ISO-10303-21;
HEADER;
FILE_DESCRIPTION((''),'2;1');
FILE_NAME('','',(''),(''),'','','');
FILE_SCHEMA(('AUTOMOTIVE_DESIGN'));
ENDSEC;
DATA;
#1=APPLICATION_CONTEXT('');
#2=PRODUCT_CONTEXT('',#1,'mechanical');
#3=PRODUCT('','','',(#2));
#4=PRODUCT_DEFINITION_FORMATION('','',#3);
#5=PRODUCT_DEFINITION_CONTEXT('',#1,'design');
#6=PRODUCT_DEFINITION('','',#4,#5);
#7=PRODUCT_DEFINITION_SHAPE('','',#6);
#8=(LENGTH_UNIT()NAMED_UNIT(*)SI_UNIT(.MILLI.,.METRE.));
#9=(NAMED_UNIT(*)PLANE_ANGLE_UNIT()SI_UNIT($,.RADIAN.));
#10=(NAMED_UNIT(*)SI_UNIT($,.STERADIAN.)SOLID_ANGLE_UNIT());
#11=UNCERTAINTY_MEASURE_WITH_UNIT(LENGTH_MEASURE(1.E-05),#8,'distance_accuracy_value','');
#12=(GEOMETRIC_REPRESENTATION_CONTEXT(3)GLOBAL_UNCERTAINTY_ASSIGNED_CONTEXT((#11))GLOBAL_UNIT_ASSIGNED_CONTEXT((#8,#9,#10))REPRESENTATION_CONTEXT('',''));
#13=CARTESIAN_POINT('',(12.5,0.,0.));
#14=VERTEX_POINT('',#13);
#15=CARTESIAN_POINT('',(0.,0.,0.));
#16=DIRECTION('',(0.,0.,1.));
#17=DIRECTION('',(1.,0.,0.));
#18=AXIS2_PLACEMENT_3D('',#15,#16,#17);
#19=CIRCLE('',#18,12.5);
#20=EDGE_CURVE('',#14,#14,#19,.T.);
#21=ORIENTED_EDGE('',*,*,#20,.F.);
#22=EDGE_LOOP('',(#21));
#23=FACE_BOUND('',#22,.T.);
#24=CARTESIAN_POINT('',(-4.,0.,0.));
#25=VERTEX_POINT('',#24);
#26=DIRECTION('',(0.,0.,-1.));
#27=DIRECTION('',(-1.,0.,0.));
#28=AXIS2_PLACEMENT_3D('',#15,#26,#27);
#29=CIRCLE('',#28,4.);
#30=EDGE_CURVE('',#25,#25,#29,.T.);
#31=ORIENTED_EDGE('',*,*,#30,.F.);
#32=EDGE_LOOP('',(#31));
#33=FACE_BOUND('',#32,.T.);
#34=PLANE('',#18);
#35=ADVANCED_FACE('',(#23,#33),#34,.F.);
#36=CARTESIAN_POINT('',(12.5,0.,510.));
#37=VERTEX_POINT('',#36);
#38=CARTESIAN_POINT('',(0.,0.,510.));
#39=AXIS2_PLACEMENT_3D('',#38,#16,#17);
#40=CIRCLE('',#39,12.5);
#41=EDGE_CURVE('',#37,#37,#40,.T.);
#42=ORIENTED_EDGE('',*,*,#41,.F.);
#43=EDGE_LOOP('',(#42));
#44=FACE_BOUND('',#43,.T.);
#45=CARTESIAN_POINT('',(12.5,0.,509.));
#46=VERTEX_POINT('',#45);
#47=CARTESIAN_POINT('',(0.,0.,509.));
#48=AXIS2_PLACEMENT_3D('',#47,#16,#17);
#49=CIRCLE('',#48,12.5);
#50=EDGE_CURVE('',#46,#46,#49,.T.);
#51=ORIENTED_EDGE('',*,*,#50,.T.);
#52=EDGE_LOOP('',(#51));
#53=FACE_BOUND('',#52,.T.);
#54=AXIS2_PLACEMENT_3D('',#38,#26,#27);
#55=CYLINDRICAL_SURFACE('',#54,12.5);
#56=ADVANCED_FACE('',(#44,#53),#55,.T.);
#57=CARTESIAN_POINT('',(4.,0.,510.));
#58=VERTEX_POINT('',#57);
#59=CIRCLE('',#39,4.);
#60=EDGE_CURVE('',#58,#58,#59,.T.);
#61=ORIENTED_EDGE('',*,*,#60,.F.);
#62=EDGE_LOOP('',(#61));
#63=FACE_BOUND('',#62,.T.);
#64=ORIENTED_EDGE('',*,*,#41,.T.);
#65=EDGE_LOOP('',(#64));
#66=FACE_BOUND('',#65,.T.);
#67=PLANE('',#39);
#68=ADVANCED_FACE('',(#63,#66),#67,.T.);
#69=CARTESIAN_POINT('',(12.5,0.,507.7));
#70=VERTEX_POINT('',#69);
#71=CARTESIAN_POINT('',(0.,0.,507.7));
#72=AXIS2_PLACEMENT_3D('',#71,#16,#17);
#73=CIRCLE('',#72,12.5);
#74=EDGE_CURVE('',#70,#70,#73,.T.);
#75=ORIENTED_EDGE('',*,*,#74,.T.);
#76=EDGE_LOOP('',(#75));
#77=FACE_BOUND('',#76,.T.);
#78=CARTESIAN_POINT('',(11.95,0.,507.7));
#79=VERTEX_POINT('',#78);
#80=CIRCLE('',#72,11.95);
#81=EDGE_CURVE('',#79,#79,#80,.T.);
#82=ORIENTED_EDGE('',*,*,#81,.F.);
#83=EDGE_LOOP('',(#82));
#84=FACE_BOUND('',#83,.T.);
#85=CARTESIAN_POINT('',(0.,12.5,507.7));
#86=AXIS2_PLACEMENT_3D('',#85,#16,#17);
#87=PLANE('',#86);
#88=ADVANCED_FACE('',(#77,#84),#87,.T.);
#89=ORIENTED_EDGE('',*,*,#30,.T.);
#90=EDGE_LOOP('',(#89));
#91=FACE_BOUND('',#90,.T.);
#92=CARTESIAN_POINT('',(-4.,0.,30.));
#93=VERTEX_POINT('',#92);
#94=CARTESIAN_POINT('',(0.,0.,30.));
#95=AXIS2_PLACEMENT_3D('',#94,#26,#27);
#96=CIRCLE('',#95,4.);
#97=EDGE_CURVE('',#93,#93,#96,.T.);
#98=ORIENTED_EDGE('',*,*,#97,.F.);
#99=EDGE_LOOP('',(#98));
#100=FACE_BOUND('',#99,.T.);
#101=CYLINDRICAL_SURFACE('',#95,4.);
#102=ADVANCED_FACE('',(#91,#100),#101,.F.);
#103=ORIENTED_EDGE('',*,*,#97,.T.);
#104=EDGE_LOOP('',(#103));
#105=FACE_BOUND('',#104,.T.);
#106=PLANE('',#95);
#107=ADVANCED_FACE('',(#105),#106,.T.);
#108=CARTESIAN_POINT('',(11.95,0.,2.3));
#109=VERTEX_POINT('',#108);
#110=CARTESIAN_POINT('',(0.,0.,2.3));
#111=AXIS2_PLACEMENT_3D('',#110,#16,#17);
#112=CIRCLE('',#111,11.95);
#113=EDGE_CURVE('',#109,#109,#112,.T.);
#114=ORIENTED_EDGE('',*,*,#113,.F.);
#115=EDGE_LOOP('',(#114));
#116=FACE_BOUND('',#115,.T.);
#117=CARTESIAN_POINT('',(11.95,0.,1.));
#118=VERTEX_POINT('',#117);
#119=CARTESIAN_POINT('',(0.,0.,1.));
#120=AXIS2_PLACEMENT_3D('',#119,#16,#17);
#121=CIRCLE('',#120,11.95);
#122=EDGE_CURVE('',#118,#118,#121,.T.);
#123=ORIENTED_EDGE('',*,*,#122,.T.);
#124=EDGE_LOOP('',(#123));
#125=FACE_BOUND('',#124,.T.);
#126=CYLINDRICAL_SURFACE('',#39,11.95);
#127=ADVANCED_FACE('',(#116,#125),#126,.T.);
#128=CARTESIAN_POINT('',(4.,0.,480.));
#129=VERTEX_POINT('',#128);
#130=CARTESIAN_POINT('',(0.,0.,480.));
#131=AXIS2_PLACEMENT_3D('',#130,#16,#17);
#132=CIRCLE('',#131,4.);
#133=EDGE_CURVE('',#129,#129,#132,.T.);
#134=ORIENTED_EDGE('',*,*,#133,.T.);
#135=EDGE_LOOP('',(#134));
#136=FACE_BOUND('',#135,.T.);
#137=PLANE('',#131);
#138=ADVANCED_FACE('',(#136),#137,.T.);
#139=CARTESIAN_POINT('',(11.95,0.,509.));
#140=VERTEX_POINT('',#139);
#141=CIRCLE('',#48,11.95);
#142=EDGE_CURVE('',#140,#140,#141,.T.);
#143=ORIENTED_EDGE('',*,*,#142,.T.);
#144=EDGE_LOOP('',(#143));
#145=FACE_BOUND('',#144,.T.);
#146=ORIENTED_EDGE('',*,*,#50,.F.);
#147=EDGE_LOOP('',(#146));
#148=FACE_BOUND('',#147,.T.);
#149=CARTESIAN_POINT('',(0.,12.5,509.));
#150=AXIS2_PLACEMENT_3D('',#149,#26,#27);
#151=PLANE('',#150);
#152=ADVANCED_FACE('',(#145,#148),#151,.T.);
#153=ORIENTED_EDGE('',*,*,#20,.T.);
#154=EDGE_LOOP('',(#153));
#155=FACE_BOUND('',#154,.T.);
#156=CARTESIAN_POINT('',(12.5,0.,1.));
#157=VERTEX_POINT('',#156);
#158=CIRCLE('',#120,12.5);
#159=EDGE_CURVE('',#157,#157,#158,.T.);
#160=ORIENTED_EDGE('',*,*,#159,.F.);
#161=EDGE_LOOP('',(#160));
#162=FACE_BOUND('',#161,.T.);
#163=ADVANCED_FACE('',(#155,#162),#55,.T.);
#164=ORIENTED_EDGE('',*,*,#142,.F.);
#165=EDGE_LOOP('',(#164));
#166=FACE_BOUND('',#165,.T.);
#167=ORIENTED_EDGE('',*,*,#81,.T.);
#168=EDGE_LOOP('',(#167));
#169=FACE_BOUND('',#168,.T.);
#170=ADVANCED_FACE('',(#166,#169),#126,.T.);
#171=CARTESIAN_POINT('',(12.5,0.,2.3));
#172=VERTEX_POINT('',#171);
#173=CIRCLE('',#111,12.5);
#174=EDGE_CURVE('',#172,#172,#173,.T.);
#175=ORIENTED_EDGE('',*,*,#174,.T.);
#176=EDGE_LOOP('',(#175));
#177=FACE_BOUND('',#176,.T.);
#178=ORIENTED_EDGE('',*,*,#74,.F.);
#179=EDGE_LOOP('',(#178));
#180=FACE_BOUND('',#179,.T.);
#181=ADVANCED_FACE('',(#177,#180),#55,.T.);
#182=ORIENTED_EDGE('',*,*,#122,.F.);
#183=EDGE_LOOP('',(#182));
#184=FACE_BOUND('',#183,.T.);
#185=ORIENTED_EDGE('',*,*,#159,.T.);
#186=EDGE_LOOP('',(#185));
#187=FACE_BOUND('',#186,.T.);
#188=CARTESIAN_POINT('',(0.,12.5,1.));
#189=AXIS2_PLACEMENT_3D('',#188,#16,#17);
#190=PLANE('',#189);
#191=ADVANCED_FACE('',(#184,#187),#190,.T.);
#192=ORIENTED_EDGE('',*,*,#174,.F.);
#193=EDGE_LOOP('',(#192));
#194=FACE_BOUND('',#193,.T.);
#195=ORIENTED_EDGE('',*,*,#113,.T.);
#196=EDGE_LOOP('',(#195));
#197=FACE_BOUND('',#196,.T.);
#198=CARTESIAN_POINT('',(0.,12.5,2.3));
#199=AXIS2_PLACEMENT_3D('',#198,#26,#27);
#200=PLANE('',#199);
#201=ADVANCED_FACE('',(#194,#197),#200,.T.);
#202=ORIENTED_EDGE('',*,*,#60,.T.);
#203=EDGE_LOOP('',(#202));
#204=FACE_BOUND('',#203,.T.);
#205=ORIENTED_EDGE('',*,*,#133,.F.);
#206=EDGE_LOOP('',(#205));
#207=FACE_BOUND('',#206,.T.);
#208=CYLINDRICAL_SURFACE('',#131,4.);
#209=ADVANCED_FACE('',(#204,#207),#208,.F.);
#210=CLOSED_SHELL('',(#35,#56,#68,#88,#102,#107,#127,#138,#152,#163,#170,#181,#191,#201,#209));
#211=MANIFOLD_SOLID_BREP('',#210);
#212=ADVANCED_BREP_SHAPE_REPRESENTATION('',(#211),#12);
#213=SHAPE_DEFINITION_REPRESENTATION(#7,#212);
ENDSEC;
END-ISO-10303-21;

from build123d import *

# Parameters (mm, degrees)
SCHIZZO1_R               = 12.5
ESTRUSIONE1_DEPTH        = 510
SCHIZZO2_R               = 4
TAGLIO_ESTRUSIONE1_DEPTH = 30
TAGLIO_ESTRUSIONE2_START = -30
SCHIZZO3_R               = 4
TAGLIO_ESTRUSIONE2_DEPTH = 30
SCHIZZO5_W               = 1.3
SCHIZZO5_H               = 0.55


with BuildPart() as part:
    # Schizzo1 → Estrusione1 (new body)
    with BuildSketch(Plane.XY):
        Circle(SCHIZZO1_R)
    extrude(amount=ESTRUSIONE1_DEPTH)

    # Schizzo2 → Taglio-Estrusione1 (cut)
    with BuildSketch(Plane.XY.offset(510)):
        Circle(SCHIZZO2_R)
    extrude(amount=-TAGLIO_ESTRUSIONE1_DEPTH, mode=Mode.SUBTRACT)

    # Schizzo3 → Taglio-Estrusione2 (cut)
    with BuildSketch(Plane(origin=(0, 0, 0), x_dir=(-1, 0, 0), z_dir=(0, 0, -1)).offset(TAGLIO_ESTRUSIONE2_START)):
        with Locations(Location((0, 0, 0), (0, 0, 180))):
            Circle(SCHIZZO3_R)
    extrude(amount=TAGLIO_ESTRUSIONE2_DEPTH, mode=Mode.SUBTRACT)

    # Schizzo5 → Taglia-Rivoluzione1 (revolve, cut)
    with BuildSketch(Plane(origin=(0, 0, 0), x_dir=(0, 0, -1), z_dir=(1, 0, 0)), mode=Mode.PRIVATE) as taglia_rivoluzione1_sk:
        with Locations((-508.35, 12.225)):
            Rectangle(SCHIZZO5_W, SCHIZZO5_H)
        with Locations((-1.65, 12.225)):
            Rectangle(SCHIZZO5_W, SCHIZZO5_H)
    revolve(taglia_rivoluzione1_sk.sketch.rotate(Axis((0, 0, 510), (0, 0, -1)), 90), axis=Axis((0, 0, 510), (0, 0, -1)), mode=Mode.SUBTRACT)


solid = part.part
